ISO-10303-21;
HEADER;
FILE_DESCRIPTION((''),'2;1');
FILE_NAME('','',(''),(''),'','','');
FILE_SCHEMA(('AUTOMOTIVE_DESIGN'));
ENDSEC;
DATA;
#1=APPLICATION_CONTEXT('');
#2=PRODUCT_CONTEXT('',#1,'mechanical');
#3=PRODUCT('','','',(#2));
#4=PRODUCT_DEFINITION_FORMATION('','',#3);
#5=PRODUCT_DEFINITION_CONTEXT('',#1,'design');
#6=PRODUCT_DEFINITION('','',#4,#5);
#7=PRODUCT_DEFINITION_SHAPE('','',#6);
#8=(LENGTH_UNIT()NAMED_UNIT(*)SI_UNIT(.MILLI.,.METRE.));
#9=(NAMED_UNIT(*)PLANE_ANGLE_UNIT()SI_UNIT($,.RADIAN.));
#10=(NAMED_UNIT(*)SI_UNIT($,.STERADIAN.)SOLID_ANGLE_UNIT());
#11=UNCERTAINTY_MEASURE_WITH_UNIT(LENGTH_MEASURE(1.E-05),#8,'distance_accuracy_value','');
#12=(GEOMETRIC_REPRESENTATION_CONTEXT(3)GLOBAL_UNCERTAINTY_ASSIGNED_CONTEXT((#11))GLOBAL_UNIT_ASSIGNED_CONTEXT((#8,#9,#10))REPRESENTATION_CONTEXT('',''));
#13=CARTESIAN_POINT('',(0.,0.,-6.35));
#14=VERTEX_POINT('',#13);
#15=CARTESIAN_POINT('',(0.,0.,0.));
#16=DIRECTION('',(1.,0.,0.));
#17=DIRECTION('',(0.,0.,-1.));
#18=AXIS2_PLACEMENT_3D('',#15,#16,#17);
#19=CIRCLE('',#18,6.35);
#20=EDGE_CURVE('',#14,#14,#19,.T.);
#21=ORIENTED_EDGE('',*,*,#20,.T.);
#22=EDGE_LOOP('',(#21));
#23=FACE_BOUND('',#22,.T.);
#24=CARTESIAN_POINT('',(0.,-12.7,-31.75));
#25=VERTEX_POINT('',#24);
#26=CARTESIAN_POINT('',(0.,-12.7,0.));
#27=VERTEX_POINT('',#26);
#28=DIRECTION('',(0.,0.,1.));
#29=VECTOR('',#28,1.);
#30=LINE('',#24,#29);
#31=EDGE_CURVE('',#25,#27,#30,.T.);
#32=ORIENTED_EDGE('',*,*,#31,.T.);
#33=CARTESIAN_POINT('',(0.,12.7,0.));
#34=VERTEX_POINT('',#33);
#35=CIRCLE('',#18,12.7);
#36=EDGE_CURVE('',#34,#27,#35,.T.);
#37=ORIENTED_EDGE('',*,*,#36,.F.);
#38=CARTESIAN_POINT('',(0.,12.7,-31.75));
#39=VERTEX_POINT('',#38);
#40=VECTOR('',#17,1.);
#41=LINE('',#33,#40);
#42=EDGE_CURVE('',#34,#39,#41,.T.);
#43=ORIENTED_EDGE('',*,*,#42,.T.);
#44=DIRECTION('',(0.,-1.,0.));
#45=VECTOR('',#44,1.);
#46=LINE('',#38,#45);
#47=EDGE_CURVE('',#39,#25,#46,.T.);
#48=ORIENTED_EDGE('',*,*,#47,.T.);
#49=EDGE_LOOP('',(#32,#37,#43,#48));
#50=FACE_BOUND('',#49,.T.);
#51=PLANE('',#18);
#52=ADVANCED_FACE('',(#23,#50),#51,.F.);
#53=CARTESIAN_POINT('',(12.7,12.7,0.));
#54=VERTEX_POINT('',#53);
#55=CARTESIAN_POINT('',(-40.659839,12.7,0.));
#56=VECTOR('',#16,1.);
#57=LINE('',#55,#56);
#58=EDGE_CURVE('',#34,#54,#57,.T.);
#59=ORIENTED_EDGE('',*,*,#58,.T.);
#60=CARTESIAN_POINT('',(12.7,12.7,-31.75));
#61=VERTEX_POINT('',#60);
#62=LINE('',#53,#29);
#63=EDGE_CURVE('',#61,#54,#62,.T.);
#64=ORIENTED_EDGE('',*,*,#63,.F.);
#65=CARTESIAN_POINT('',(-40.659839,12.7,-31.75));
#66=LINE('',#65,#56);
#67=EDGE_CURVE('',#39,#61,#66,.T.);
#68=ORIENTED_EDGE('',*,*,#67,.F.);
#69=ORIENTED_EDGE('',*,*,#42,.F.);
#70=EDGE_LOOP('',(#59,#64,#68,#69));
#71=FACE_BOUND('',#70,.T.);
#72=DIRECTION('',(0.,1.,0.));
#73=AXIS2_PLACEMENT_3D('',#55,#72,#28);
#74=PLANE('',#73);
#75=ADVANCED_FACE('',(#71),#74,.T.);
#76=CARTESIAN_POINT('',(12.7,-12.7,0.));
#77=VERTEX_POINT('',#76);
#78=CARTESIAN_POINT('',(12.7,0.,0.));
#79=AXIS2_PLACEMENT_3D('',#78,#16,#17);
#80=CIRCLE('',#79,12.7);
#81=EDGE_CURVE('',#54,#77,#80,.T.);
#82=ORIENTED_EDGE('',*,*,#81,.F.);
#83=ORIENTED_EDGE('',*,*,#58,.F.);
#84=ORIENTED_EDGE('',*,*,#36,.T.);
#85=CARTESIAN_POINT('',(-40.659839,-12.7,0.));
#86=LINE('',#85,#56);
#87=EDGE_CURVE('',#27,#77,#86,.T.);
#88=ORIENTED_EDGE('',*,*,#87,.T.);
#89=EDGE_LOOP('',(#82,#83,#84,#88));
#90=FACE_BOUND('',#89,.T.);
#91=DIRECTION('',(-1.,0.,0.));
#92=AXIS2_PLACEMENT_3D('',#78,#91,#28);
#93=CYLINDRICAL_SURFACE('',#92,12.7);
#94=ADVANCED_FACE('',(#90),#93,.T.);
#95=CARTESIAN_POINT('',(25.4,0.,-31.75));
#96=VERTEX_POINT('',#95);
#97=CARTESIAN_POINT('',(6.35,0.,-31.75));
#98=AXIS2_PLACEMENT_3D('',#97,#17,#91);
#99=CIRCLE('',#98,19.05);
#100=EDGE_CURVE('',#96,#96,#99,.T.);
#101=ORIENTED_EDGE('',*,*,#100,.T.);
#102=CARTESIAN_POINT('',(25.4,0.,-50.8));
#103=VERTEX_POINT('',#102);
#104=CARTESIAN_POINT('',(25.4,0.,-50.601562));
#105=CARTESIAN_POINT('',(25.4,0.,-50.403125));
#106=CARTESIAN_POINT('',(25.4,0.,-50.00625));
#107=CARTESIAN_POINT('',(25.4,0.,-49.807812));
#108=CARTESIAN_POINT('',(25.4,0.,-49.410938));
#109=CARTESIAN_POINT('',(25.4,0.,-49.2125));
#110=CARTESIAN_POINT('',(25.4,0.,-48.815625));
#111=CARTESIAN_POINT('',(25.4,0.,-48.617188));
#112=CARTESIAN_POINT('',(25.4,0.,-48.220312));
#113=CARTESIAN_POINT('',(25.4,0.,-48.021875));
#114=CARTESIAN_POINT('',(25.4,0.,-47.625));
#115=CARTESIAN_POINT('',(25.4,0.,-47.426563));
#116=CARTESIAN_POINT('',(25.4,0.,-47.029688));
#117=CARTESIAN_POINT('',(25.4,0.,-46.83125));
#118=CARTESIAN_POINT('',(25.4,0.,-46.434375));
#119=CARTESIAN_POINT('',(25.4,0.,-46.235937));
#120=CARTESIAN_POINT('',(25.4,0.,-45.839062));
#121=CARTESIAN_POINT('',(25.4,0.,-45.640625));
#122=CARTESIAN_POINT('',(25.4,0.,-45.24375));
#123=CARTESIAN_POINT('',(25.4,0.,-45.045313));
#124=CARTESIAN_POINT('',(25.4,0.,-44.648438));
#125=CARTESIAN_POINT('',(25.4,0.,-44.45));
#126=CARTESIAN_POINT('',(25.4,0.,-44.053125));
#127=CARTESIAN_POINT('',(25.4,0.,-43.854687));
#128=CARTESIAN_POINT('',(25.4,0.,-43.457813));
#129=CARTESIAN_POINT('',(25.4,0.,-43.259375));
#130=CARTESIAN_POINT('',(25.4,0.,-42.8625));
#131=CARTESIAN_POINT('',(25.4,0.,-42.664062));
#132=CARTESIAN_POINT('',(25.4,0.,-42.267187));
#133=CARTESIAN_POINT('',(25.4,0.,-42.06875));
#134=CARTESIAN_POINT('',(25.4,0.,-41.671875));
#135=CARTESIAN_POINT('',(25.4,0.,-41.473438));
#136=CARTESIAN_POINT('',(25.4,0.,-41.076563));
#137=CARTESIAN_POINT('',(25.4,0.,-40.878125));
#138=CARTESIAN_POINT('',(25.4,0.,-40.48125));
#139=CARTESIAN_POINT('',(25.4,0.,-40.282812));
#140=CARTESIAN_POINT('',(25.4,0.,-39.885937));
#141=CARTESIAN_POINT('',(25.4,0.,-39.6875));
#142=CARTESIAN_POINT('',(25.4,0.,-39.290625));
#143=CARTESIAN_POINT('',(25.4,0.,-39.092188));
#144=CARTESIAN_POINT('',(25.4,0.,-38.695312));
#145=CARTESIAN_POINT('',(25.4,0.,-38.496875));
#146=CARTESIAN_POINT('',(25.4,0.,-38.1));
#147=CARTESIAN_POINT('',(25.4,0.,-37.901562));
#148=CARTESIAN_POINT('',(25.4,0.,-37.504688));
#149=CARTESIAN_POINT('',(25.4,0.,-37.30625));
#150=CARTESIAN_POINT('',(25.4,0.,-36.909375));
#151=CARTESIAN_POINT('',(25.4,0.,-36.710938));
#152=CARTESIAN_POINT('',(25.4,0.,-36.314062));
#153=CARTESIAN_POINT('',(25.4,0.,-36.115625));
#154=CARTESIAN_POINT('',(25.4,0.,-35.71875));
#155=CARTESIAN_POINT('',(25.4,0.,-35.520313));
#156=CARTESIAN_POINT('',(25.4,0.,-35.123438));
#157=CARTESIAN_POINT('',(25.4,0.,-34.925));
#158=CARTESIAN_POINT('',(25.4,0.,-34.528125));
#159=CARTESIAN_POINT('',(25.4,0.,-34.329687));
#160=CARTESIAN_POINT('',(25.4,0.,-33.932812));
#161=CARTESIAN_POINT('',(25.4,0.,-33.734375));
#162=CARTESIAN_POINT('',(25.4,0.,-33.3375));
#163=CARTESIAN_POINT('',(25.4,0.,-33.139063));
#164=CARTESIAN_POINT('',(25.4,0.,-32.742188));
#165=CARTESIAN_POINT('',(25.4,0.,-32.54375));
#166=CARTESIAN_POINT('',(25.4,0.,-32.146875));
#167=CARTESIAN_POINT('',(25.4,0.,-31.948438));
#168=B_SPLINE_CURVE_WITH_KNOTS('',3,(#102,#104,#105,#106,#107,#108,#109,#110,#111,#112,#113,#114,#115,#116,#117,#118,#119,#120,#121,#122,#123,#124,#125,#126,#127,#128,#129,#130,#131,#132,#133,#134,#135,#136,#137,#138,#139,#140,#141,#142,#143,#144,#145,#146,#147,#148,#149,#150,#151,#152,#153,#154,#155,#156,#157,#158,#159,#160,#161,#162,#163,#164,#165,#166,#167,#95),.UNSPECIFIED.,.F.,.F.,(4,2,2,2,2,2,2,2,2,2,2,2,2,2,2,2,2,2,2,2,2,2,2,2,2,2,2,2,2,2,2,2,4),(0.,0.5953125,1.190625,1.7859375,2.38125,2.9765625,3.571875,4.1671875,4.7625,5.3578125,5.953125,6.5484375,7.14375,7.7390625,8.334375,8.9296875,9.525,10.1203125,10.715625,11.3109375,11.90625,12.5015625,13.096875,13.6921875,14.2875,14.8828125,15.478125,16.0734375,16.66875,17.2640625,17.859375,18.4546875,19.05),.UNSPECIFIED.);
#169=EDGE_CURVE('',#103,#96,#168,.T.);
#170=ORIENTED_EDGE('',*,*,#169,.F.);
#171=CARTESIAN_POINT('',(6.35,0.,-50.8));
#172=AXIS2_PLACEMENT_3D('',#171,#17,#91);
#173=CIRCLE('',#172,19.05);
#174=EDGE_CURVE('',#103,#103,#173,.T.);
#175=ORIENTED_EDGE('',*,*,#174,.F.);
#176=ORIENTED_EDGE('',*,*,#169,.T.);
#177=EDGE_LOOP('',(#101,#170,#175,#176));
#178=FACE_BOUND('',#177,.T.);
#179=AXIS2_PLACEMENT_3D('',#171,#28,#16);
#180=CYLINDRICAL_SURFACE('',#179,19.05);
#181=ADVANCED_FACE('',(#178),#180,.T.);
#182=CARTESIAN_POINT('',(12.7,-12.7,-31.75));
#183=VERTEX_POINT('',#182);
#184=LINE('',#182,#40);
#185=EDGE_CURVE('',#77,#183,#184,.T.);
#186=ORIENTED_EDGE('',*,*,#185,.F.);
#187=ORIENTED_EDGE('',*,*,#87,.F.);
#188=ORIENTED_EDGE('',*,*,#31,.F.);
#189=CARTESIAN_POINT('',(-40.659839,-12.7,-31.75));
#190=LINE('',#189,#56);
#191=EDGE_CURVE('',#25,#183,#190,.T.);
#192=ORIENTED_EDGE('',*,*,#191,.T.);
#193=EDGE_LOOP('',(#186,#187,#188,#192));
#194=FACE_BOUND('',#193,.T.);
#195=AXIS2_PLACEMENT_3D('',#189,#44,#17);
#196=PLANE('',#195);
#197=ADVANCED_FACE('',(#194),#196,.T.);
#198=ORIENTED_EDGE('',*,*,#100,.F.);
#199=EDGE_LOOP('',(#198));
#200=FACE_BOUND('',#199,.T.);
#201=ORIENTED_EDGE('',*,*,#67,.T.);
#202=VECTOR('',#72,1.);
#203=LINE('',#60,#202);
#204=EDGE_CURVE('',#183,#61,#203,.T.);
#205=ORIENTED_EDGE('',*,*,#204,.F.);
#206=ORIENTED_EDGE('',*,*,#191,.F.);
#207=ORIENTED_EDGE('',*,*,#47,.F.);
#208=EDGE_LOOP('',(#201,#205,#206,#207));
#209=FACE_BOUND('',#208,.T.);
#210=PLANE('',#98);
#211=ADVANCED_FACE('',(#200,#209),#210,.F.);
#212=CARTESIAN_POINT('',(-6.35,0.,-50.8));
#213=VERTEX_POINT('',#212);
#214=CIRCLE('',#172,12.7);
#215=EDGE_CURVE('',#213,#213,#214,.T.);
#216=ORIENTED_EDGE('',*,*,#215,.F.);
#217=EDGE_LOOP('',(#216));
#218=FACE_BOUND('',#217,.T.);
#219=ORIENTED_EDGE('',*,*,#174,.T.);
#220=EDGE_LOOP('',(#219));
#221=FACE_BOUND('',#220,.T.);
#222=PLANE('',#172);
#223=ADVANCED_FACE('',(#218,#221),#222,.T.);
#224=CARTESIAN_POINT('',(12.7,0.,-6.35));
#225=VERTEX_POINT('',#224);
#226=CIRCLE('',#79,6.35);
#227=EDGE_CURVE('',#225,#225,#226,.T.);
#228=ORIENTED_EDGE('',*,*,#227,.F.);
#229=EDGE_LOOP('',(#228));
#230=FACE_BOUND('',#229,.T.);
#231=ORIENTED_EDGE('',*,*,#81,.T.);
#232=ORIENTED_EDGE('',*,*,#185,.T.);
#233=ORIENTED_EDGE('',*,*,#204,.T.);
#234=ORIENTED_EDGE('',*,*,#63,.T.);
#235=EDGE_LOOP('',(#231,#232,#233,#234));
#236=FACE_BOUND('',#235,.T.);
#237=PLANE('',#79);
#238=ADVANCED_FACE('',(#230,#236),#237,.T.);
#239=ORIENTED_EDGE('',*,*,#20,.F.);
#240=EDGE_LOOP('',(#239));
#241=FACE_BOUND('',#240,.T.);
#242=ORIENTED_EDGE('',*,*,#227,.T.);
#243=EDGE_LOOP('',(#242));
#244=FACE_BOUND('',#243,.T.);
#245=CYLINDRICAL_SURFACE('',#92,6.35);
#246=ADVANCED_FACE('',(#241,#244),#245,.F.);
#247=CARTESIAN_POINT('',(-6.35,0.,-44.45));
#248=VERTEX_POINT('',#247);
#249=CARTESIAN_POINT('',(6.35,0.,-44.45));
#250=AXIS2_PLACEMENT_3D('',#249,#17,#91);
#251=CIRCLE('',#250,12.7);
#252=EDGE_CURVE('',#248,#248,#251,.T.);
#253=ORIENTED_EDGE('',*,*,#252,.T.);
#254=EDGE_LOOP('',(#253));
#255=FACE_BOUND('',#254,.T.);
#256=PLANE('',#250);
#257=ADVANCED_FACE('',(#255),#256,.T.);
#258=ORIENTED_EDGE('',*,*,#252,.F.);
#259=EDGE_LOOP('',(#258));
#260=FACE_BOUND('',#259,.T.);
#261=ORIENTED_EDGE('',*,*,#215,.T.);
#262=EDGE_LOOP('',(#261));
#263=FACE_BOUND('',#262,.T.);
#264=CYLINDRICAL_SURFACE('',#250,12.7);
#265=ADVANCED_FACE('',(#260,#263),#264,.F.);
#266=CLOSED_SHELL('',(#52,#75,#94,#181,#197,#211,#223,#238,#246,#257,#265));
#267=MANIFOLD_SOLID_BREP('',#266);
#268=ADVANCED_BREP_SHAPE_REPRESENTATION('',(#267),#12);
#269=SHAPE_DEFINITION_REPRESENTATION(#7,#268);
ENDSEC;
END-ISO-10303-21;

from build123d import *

# Parameters (mm, degrees)
SKETCH1_R           = 12.7
SKETCH1_R_2         = 6.35
EXTRUDE_THIN1_DEPTH = 12.7
BOSS_EXTRUDE1_START = -12.7
BOSS_EXTRUDE1_DEPTH = 12.7
SKETCH3_R           = 19.05
BOSS_EXTRUDE2_DEPTH = 19.05
SKETCH4_R           = 12.7
CUT_EXTRUDE1_DEPTH  = 6.35


with BuildPart() as part:
    # Sketch1 → Extrude-Thin1 (new body)
    with BuildSketch(Plane(origin=(0, 0, 0), x_dir=(0, 0, -1), z_dir=(1, 0, 0))):
        Circle(SKETCH1_R)
        Circle(SKETCH1_R_2, mode=Mode.SUBTRACT)
    extrude(amount=EXTRUDE_THIN1_DEPTH)

    # Sketch2 → Boss-Extrude1 (add)
    with BuildSketch(Plane(origin=(12.7, 0, 0), x_dir=(0, 0, -1), z_dir=(1, 0, 0)).offset(BOSS_EXTRUDE1_START)):
        with BuildLine():
            Line((0, 12.7), (31.75, 12.7))
            Line((31.75, 12.7), (31.75, -12.7))
            Line((31.75, -12.7), (0, -12.7))
            ThreePointArc((0, -12.7), (12.7, 0), (0, 12.7))
        make_face()
    extrude(amount=BOSS_EXTRUDE1_DEPTH)

    # Sketch3 → Boss-Extrude2 (add)
    with BuildSketch(Plane(origin=(0, 0, -31.75), x_dir=(-1, 0, 0), z_dir=(0, 0, -1))):
        with Locations(Location((-6.35, 0, 0), (0, 0, 180))):
            Circle(SKETCH3_R)
    extrude(amount=BOSS_EXTRUDE2_DEPTH)

    # Sketch4 → Cut-Extrude1 (cut)
    with BuildSketch(Plane(origin=(0, 0, -50.8), x_dir=(-1, 0, 0), z_dir=(0, 0, -1))):
        with Locations((-6.35, 0)):
            Circle(SKETCH4_R)
    extrude(amount=-CUT_EXTRUDE1_DEPTH, mode=Mode.SUBTRACT)


solid = part.part
